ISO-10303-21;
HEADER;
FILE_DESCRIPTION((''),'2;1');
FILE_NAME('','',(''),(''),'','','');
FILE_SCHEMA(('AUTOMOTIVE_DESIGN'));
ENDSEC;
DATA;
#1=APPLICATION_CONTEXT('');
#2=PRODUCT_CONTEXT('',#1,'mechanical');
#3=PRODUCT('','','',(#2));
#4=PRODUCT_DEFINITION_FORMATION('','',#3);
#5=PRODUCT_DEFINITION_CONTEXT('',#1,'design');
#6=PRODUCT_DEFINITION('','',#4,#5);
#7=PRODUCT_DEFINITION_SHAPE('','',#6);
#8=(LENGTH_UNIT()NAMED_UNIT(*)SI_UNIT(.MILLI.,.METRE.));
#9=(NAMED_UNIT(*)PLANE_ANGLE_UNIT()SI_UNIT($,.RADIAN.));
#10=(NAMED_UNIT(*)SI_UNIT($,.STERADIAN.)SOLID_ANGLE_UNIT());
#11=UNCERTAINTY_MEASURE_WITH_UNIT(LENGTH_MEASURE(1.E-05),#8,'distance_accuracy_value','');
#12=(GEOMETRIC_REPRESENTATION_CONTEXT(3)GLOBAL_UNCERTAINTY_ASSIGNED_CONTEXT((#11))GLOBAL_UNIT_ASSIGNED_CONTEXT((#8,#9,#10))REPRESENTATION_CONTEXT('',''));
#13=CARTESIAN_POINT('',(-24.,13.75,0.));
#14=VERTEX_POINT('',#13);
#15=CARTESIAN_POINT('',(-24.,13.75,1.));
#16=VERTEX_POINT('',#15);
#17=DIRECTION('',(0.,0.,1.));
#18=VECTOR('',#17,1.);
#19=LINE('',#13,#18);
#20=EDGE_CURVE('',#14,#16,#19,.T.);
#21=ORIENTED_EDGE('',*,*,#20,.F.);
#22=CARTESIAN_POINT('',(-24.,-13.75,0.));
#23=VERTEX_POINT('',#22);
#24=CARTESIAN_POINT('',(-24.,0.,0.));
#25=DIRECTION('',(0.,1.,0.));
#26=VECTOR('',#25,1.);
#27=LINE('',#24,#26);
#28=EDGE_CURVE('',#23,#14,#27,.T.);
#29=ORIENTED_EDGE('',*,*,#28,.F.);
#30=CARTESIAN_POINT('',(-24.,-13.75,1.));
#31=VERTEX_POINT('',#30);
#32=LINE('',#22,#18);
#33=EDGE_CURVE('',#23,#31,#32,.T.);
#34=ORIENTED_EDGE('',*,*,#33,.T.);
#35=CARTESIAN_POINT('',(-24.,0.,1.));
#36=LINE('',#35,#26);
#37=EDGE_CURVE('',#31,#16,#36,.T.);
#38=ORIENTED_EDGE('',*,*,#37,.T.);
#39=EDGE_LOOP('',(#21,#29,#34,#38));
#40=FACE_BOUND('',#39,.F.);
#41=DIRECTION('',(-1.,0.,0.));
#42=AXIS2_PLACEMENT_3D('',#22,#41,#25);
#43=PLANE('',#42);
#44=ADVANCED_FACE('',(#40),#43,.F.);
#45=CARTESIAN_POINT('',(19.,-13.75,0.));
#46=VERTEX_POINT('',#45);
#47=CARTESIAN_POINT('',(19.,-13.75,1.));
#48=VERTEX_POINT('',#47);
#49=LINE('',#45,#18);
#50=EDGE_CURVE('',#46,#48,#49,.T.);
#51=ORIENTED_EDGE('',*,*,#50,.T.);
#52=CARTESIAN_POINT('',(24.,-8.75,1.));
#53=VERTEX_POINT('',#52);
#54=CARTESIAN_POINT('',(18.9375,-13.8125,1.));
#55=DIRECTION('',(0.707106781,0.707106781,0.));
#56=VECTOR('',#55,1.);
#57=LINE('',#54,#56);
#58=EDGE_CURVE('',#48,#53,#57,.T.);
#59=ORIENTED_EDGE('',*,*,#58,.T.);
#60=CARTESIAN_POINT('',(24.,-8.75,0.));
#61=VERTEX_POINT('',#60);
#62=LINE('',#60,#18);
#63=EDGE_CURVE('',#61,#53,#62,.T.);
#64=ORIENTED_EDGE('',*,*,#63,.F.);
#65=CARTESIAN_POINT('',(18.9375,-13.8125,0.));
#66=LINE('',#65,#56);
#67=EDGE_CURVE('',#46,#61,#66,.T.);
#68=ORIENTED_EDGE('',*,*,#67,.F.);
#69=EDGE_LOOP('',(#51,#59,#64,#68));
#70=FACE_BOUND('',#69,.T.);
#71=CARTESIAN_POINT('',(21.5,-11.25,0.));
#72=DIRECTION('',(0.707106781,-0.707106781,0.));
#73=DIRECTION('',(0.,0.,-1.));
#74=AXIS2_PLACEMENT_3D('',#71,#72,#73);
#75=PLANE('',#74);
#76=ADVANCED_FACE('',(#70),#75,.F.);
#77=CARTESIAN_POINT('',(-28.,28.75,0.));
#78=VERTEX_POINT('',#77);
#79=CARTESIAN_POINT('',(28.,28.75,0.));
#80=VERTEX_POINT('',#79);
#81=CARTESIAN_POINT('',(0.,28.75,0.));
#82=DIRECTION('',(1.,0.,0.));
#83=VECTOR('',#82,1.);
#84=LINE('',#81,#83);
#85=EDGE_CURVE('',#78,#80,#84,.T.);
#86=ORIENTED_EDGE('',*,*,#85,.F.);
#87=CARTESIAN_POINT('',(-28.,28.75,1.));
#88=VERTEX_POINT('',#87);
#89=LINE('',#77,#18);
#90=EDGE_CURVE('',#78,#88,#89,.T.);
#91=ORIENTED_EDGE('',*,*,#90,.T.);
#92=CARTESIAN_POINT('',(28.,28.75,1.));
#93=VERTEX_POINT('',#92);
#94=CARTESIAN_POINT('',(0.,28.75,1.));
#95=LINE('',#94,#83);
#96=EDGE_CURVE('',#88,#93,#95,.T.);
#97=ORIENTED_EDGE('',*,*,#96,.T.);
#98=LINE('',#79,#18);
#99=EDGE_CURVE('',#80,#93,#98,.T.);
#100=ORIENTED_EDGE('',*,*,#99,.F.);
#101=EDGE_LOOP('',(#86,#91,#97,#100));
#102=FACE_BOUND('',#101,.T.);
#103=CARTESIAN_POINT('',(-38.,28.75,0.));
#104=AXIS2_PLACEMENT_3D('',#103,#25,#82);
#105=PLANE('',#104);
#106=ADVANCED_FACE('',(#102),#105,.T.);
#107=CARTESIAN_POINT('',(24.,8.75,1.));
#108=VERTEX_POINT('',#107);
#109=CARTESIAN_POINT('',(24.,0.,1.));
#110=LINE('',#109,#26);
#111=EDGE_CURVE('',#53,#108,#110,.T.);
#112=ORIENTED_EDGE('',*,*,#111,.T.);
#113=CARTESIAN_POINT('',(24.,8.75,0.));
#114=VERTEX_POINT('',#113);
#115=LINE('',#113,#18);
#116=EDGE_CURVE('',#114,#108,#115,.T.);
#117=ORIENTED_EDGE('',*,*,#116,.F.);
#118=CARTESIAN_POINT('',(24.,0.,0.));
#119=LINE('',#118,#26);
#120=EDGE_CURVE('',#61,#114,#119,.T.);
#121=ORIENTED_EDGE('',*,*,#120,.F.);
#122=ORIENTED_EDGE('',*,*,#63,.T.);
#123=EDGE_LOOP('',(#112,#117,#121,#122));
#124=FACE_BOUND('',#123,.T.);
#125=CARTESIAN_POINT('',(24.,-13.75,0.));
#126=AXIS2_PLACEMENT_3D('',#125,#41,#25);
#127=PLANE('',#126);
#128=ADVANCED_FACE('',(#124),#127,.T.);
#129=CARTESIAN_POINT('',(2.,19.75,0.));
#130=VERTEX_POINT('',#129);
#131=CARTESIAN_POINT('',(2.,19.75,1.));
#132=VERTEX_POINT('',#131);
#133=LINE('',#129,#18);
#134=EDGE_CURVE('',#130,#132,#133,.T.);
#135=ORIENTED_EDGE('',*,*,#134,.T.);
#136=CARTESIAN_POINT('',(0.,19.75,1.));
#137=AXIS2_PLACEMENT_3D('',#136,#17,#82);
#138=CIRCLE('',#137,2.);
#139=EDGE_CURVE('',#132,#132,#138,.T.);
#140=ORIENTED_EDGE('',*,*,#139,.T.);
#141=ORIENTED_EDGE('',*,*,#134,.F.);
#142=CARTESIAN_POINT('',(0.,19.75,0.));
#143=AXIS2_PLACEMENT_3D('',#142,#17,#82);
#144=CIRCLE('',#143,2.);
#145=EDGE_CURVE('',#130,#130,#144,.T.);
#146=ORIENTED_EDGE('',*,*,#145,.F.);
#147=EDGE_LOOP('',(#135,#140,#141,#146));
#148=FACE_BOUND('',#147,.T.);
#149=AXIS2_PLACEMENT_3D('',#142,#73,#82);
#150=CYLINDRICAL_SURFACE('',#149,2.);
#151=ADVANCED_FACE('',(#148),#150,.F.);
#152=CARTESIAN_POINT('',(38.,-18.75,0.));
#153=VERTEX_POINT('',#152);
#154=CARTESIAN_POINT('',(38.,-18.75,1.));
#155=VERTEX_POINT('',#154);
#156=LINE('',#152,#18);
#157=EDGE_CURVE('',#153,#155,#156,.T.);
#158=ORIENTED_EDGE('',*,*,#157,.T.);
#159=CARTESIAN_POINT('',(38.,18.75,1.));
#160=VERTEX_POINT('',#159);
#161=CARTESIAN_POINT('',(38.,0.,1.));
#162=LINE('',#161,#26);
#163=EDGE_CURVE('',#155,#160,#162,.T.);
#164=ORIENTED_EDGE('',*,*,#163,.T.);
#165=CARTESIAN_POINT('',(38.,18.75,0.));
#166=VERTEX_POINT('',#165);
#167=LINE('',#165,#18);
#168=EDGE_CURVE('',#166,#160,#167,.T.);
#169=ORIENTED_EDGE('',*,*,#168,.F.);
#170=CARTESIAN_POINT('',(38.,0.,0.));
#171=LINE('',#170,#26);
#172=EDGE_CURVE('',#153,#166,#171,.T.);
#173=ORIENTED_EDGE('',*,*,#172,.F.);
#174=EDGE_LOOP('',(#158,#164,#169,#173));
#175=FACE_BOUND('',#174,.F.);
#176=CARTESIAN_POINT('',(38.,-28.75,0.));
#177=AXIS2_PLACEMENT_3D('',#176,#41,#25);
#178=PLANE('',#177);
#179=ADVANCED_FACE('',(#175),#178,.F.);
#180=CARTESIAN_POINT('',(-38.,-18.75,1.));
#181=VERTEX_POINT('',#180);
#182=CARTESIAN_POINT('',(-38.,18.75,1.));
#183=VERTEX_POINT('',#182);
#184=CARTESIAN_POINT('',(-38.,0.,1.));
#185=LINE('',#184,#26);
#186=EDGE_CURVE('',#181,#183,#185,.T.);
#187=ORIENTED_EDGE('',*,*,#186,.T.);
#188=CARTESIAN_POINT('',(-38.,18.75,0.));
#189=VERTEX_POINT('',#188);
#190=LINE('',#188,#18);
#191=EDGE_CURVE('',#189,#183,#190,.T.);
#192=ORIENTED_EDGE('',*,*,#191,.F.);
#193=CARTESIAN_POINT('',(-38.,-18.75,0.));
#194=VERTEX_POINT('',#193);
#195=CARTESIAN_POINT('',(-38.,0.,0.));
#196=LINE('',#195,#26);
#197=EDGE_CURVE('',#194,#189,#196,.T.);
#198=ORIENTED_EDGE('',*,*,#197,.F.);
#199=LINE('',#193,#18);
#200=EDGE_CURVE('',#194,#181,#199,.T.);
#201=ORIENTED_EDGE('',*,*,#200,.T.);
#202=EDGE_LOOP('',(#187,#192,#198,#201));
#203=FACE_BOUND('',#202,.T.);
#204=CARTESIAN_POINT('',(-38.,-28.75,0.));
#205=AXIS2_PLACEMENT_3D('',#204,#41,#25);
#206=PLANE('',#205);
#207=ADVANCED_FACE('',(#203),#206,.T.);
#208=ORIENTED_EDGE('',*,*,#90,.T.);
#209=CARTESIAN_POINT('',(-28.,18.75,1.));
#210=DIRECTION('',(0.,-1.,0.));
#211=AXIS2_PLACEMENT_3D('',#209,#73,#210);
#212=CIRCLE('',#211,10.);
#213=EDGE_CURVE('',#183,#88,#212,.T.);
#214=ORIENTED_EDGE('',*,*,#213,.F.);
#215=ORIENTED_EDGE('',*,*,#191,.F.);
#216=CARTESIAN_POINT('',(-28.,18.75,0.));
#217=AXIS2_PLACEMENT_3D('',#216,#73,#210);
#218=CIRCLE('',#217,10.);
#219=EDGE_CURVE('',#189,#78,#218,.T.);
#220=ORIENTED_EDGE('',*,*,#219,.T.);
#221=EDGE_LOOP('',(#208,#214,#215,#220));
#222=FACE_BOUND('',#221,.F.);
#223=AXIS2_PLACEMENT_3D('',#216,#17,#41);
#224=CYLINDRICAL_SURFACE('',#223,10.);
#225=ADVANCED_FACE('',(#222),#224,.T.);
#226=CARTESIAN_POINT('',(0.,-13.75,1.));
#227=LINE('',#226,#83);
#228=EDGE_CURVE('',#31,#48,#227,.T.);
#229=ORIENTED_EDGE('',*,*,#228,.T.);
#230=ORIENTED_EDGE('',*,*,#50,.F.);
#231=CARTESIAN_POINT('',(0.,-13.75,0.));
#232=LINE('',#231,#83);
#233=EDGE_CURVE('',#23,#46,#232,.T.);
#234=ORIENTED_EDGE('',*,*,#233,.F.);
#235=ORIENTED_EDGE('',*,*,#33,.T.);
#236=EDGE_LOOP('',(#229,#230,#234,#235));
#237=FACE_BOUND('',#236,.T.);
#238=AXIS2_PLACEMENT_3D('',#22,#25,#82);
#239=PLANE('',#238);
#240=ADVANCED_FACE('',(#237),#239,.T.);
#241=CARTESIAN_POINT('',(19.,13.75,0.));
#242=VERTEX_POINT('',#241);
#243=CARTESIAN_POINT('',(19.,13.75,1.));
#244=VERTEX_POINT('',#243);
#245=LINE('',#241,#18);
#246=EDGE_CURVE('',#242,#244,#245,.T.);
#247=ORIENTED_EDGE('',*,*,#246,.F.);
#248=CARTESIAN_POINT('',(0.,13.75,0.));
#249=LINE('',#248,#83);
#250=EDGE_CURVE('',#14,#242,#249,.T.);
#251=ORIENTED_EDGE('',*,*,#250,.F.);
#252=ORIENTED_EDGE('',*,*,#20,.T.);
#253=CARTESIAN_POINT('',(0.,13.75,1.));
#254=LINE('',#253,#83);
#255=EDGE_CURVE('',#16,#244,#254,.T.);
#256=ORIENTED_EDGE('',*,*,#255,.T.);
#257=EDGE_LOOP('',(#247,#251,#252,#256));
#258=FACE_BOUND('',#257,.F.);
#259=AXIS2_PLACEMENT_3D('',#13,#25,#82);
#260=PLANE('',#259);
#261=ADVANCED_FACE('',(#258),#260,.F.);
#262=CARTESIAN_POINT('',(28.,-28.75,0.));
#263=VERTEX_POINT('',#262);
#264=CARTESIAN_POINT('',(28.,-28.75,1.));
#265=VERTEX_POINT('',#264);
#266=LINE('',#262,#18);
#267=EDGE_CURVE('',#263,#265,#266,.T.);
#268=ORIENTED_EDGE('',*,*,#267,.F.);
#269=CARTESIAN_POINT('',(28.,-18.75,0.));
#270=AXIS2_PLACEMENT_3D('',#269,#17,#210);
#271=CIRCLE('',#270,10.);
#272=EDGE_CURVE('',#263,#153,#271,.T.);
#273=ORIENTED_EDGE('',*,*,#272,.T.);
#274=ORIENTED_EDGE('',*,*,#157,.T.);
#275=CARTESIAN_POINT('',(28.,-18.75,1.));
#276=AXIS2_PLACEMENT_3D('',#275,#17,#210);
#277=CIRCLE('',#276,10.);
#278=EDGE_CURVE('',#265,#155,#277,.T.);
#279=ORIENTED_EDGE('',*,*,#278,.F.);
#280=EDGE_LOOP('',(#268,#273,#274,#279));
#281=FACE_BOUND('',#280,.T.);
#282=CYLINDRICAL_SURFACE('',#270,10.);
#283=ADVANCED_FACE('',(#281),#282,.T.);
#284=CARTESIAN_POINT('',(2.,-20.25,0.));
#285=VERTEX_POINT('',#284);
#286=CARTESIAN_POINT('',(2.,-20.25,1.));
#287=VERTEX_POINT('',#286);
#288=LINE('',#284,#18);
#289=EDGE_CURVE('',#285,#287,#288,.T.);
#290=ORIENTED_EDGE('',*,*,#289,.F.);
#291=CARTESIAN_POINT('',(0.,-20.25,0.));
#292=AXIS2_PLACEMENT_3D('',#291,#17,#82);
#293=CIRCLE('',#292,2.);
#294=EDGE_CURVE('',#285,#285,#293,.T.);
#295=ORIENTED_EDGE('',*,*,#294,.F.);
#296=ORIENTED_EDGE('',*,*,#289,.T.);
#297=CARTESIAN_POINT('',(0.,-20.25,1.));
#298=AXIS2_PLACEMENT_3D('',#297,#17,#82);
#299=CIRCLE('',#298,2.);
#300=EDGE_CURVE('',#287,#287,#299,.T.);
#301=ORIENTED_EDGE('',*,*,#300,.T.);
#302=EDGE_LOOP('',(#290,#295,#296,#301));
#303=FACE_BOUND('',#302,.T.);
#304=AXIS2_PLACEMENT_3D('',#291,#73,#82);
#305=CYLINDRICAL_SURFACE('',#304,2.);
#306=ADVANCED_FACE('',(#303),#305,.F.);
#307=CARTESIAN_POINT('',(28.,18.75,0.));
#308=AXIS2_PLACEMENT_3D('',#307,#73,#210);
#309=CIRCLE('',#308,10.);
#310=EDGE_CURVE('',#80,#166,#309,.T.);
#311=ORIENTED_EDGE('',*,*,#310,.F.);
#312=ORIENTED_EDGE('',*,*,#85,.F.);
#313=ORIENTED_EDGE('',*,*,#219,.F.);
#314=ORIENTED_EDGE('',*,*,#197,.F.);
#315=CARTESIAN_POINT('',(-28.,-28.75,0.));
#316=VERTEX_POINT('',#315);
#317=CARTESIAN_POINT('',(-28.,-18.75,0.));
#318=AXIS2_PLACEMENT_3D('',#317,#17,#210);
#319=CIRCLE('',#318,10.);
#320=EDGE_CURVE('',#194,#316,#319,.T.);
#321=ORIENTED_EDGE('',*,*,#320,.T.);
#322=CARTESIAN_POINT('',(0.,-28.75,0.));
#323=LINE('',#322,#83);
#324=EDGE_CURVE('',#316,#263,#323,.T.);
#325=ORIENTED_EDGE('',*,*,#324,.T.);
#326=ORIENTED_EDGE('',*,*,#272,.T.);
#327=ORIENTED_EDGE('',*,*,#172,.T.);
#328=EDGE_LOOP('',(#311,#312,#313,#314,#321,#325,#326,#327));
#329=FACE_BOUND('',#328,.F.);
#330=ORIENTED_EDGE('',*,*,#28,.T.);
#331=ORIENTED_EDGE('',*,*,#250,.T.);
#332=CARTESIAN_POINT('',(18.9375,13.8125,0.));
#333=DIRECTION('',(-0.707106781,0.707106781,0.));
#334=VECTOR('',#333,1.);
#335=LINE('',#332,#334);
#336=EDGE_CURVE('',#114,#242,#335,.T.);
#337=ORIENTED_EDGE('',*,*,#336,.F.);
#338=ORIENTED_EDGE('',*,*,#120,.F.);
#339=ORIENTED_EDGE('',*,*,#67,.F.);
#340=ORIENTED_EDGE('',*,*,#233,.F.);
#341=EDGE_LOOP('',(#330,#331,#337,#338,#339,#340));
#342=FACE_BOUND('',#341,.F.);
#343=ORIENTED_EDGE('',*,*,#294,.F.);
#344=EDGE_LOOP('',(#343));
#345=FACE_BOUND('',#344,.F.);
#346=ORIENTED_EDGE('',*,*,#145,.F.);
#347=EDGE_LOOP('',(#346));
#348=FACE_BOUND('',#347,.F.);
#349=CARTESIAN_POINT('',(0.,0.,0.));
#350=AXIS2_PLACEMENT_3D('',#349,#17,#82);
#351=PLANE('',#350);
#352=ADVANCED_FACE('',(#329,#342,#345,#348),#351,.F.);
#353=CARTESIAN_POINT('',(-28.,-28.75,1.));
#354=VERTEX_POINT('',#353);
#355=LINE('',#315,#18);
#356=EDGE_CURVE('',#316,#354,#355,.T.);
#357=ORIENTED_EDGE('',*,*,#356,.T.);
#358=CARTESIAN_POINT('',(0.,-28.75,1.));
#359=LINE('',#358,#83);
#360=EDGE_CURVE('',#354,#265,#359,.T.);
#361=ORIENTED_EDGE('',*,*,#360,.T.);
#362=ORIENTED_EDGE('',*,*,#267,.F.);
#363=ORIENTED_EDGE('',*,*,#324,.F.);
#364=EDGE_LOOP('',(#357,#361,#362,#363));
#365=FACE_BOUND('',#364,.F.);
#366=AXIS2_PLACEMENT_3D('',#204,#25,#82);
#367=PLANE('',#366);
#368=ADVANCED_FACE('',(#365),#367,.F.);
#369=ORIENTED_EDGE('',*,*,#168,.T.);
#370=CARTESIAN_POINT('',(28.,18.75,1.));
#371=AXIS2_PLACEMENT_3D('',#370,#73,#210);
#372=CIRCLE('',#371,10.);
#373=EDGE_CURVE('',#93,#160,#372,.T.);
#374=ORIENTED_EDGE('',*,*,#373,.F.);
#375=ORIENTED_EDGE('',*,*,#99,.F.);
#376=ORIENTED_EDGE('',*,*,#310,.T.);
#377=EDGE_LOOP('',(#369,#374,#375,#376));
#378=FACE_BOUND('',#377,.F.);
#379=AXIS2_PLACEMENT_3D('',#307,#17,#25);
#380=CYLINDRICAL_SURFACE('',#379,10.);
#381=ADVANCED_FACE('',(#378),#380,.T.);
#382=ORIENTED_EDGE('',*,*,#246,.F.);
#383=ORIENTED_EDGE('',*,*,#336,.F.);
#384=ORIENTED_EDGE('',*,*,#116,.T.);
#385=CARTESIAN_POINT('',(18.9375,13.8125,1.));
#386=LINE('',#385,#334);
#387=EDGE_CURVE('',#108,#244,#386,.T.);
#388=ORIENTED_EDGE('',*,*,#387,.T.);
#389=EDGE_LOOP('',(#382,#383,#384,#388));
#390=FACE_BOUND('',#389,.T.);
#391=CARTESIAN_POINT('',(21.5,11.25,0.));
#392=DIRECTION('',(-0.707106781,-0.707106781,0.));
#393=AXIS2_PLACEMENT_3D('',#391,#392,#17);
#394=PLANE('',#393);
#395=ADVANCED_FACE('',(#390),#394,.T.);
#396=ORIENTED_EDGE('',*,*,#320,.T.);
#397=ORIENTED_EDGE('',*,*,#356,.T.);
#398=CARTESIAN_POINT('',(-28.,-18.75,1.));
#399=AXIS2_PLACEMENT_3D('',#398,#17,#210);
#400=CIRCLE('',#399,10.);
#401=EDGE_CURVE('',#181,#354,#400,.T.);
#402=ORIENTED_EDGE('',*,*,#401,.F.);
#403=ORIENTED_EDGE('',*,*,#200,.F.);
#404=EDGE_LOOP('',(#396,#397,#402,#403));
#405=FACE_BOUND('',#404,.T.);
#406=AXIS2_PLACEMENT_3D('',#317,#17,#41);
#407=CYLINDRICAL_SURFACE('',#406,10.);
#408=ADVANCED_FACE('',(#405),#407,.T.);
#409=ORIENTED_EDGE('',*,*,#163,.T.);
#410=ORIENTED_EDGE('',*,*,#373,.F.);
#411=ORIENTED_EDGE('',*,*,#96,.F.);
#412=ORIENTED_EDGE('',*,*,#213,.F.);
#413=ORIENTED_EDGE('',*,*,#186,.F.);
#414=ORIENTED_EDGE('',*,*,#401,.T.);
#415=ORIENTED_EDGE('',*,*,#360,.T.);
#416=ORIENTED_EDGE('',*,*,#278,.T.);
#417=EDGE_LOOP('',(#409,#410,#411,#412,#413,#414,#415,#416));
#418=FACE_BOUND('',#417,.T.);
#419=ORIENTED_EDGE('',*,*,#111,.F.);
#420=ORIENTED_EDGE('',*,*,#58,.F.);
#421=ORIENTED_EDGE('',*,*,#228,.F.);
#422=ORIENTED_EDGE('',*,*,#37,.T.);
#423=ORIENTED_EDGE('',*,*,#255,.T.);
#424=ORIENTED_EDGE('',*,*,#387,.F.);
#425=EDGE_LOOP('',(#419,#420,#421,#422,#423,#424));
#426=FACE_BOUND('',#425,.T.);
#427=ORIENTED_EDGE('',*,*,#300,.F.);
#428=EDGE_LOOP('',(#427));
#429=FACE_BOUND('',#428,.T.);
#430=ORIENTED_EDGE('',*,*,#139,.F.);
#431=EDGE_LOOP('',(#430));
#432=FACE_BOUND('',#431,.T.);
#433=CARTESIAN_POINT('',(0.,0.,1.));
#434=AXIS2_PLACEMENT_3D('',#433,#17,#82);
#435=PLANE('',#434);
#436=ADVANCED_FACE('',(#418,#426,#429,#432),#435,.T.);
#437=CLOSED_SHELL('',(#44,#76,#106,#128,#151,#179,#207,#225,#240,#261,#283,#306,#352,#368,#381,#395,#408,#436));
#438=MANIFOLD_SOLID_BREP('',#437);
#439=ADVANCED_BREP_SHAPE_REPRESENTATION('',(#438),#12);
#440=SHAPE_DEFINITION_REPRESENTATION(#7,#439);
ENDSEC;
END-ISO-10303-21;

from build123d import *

# Parameters (mm, degrees)
F0_W     = 76
F0_H     = 57.5
F0_R     = 2
F0_W_2   = 48
F0_H_2   = 27.5
F1_DEPTH = 1
F2_R     = 10
F3_SIZE  = 5


with BuildPart() as f1:
    # F0 (on Top) → F1 (new body)
    with BuildSketch(Plane.XY):
        Rectangle(F0_W, F0_H)
        with Locations((0, -20.25)):
            Circle(F0_R, mode=Mode.SUBTRACT)
        Rectangle(F0_W_2, F0_H_2, mode=Mode.SUBTRACT)
        with Locations((0, 19.75)):
            Circle(F0_R, mode=Mode.SUBTRACT)
    extrude(amount=F1_DEPTH)

    # F2
    f2_edges = [f1.edges().sort_by_distance(p)[0] for p in [
        (-38, 28.75, 0.5),
        (-38, -28.75, 0.5),
        (38, 28.75, 0.5),
        (38, -28.75, 0.5),
    ]]
    fillet(f2_edges, radius=F2_R)

    # F3
    f3_edges = [f1.edges().sort_by_distance(p)[0] for p in [
        (24, 13.75, 0.5),
        (24, -13.75, 0.5),
    ]]
    chamfer(f3_edges, length=F3_SIZE)


solid = f1.part
